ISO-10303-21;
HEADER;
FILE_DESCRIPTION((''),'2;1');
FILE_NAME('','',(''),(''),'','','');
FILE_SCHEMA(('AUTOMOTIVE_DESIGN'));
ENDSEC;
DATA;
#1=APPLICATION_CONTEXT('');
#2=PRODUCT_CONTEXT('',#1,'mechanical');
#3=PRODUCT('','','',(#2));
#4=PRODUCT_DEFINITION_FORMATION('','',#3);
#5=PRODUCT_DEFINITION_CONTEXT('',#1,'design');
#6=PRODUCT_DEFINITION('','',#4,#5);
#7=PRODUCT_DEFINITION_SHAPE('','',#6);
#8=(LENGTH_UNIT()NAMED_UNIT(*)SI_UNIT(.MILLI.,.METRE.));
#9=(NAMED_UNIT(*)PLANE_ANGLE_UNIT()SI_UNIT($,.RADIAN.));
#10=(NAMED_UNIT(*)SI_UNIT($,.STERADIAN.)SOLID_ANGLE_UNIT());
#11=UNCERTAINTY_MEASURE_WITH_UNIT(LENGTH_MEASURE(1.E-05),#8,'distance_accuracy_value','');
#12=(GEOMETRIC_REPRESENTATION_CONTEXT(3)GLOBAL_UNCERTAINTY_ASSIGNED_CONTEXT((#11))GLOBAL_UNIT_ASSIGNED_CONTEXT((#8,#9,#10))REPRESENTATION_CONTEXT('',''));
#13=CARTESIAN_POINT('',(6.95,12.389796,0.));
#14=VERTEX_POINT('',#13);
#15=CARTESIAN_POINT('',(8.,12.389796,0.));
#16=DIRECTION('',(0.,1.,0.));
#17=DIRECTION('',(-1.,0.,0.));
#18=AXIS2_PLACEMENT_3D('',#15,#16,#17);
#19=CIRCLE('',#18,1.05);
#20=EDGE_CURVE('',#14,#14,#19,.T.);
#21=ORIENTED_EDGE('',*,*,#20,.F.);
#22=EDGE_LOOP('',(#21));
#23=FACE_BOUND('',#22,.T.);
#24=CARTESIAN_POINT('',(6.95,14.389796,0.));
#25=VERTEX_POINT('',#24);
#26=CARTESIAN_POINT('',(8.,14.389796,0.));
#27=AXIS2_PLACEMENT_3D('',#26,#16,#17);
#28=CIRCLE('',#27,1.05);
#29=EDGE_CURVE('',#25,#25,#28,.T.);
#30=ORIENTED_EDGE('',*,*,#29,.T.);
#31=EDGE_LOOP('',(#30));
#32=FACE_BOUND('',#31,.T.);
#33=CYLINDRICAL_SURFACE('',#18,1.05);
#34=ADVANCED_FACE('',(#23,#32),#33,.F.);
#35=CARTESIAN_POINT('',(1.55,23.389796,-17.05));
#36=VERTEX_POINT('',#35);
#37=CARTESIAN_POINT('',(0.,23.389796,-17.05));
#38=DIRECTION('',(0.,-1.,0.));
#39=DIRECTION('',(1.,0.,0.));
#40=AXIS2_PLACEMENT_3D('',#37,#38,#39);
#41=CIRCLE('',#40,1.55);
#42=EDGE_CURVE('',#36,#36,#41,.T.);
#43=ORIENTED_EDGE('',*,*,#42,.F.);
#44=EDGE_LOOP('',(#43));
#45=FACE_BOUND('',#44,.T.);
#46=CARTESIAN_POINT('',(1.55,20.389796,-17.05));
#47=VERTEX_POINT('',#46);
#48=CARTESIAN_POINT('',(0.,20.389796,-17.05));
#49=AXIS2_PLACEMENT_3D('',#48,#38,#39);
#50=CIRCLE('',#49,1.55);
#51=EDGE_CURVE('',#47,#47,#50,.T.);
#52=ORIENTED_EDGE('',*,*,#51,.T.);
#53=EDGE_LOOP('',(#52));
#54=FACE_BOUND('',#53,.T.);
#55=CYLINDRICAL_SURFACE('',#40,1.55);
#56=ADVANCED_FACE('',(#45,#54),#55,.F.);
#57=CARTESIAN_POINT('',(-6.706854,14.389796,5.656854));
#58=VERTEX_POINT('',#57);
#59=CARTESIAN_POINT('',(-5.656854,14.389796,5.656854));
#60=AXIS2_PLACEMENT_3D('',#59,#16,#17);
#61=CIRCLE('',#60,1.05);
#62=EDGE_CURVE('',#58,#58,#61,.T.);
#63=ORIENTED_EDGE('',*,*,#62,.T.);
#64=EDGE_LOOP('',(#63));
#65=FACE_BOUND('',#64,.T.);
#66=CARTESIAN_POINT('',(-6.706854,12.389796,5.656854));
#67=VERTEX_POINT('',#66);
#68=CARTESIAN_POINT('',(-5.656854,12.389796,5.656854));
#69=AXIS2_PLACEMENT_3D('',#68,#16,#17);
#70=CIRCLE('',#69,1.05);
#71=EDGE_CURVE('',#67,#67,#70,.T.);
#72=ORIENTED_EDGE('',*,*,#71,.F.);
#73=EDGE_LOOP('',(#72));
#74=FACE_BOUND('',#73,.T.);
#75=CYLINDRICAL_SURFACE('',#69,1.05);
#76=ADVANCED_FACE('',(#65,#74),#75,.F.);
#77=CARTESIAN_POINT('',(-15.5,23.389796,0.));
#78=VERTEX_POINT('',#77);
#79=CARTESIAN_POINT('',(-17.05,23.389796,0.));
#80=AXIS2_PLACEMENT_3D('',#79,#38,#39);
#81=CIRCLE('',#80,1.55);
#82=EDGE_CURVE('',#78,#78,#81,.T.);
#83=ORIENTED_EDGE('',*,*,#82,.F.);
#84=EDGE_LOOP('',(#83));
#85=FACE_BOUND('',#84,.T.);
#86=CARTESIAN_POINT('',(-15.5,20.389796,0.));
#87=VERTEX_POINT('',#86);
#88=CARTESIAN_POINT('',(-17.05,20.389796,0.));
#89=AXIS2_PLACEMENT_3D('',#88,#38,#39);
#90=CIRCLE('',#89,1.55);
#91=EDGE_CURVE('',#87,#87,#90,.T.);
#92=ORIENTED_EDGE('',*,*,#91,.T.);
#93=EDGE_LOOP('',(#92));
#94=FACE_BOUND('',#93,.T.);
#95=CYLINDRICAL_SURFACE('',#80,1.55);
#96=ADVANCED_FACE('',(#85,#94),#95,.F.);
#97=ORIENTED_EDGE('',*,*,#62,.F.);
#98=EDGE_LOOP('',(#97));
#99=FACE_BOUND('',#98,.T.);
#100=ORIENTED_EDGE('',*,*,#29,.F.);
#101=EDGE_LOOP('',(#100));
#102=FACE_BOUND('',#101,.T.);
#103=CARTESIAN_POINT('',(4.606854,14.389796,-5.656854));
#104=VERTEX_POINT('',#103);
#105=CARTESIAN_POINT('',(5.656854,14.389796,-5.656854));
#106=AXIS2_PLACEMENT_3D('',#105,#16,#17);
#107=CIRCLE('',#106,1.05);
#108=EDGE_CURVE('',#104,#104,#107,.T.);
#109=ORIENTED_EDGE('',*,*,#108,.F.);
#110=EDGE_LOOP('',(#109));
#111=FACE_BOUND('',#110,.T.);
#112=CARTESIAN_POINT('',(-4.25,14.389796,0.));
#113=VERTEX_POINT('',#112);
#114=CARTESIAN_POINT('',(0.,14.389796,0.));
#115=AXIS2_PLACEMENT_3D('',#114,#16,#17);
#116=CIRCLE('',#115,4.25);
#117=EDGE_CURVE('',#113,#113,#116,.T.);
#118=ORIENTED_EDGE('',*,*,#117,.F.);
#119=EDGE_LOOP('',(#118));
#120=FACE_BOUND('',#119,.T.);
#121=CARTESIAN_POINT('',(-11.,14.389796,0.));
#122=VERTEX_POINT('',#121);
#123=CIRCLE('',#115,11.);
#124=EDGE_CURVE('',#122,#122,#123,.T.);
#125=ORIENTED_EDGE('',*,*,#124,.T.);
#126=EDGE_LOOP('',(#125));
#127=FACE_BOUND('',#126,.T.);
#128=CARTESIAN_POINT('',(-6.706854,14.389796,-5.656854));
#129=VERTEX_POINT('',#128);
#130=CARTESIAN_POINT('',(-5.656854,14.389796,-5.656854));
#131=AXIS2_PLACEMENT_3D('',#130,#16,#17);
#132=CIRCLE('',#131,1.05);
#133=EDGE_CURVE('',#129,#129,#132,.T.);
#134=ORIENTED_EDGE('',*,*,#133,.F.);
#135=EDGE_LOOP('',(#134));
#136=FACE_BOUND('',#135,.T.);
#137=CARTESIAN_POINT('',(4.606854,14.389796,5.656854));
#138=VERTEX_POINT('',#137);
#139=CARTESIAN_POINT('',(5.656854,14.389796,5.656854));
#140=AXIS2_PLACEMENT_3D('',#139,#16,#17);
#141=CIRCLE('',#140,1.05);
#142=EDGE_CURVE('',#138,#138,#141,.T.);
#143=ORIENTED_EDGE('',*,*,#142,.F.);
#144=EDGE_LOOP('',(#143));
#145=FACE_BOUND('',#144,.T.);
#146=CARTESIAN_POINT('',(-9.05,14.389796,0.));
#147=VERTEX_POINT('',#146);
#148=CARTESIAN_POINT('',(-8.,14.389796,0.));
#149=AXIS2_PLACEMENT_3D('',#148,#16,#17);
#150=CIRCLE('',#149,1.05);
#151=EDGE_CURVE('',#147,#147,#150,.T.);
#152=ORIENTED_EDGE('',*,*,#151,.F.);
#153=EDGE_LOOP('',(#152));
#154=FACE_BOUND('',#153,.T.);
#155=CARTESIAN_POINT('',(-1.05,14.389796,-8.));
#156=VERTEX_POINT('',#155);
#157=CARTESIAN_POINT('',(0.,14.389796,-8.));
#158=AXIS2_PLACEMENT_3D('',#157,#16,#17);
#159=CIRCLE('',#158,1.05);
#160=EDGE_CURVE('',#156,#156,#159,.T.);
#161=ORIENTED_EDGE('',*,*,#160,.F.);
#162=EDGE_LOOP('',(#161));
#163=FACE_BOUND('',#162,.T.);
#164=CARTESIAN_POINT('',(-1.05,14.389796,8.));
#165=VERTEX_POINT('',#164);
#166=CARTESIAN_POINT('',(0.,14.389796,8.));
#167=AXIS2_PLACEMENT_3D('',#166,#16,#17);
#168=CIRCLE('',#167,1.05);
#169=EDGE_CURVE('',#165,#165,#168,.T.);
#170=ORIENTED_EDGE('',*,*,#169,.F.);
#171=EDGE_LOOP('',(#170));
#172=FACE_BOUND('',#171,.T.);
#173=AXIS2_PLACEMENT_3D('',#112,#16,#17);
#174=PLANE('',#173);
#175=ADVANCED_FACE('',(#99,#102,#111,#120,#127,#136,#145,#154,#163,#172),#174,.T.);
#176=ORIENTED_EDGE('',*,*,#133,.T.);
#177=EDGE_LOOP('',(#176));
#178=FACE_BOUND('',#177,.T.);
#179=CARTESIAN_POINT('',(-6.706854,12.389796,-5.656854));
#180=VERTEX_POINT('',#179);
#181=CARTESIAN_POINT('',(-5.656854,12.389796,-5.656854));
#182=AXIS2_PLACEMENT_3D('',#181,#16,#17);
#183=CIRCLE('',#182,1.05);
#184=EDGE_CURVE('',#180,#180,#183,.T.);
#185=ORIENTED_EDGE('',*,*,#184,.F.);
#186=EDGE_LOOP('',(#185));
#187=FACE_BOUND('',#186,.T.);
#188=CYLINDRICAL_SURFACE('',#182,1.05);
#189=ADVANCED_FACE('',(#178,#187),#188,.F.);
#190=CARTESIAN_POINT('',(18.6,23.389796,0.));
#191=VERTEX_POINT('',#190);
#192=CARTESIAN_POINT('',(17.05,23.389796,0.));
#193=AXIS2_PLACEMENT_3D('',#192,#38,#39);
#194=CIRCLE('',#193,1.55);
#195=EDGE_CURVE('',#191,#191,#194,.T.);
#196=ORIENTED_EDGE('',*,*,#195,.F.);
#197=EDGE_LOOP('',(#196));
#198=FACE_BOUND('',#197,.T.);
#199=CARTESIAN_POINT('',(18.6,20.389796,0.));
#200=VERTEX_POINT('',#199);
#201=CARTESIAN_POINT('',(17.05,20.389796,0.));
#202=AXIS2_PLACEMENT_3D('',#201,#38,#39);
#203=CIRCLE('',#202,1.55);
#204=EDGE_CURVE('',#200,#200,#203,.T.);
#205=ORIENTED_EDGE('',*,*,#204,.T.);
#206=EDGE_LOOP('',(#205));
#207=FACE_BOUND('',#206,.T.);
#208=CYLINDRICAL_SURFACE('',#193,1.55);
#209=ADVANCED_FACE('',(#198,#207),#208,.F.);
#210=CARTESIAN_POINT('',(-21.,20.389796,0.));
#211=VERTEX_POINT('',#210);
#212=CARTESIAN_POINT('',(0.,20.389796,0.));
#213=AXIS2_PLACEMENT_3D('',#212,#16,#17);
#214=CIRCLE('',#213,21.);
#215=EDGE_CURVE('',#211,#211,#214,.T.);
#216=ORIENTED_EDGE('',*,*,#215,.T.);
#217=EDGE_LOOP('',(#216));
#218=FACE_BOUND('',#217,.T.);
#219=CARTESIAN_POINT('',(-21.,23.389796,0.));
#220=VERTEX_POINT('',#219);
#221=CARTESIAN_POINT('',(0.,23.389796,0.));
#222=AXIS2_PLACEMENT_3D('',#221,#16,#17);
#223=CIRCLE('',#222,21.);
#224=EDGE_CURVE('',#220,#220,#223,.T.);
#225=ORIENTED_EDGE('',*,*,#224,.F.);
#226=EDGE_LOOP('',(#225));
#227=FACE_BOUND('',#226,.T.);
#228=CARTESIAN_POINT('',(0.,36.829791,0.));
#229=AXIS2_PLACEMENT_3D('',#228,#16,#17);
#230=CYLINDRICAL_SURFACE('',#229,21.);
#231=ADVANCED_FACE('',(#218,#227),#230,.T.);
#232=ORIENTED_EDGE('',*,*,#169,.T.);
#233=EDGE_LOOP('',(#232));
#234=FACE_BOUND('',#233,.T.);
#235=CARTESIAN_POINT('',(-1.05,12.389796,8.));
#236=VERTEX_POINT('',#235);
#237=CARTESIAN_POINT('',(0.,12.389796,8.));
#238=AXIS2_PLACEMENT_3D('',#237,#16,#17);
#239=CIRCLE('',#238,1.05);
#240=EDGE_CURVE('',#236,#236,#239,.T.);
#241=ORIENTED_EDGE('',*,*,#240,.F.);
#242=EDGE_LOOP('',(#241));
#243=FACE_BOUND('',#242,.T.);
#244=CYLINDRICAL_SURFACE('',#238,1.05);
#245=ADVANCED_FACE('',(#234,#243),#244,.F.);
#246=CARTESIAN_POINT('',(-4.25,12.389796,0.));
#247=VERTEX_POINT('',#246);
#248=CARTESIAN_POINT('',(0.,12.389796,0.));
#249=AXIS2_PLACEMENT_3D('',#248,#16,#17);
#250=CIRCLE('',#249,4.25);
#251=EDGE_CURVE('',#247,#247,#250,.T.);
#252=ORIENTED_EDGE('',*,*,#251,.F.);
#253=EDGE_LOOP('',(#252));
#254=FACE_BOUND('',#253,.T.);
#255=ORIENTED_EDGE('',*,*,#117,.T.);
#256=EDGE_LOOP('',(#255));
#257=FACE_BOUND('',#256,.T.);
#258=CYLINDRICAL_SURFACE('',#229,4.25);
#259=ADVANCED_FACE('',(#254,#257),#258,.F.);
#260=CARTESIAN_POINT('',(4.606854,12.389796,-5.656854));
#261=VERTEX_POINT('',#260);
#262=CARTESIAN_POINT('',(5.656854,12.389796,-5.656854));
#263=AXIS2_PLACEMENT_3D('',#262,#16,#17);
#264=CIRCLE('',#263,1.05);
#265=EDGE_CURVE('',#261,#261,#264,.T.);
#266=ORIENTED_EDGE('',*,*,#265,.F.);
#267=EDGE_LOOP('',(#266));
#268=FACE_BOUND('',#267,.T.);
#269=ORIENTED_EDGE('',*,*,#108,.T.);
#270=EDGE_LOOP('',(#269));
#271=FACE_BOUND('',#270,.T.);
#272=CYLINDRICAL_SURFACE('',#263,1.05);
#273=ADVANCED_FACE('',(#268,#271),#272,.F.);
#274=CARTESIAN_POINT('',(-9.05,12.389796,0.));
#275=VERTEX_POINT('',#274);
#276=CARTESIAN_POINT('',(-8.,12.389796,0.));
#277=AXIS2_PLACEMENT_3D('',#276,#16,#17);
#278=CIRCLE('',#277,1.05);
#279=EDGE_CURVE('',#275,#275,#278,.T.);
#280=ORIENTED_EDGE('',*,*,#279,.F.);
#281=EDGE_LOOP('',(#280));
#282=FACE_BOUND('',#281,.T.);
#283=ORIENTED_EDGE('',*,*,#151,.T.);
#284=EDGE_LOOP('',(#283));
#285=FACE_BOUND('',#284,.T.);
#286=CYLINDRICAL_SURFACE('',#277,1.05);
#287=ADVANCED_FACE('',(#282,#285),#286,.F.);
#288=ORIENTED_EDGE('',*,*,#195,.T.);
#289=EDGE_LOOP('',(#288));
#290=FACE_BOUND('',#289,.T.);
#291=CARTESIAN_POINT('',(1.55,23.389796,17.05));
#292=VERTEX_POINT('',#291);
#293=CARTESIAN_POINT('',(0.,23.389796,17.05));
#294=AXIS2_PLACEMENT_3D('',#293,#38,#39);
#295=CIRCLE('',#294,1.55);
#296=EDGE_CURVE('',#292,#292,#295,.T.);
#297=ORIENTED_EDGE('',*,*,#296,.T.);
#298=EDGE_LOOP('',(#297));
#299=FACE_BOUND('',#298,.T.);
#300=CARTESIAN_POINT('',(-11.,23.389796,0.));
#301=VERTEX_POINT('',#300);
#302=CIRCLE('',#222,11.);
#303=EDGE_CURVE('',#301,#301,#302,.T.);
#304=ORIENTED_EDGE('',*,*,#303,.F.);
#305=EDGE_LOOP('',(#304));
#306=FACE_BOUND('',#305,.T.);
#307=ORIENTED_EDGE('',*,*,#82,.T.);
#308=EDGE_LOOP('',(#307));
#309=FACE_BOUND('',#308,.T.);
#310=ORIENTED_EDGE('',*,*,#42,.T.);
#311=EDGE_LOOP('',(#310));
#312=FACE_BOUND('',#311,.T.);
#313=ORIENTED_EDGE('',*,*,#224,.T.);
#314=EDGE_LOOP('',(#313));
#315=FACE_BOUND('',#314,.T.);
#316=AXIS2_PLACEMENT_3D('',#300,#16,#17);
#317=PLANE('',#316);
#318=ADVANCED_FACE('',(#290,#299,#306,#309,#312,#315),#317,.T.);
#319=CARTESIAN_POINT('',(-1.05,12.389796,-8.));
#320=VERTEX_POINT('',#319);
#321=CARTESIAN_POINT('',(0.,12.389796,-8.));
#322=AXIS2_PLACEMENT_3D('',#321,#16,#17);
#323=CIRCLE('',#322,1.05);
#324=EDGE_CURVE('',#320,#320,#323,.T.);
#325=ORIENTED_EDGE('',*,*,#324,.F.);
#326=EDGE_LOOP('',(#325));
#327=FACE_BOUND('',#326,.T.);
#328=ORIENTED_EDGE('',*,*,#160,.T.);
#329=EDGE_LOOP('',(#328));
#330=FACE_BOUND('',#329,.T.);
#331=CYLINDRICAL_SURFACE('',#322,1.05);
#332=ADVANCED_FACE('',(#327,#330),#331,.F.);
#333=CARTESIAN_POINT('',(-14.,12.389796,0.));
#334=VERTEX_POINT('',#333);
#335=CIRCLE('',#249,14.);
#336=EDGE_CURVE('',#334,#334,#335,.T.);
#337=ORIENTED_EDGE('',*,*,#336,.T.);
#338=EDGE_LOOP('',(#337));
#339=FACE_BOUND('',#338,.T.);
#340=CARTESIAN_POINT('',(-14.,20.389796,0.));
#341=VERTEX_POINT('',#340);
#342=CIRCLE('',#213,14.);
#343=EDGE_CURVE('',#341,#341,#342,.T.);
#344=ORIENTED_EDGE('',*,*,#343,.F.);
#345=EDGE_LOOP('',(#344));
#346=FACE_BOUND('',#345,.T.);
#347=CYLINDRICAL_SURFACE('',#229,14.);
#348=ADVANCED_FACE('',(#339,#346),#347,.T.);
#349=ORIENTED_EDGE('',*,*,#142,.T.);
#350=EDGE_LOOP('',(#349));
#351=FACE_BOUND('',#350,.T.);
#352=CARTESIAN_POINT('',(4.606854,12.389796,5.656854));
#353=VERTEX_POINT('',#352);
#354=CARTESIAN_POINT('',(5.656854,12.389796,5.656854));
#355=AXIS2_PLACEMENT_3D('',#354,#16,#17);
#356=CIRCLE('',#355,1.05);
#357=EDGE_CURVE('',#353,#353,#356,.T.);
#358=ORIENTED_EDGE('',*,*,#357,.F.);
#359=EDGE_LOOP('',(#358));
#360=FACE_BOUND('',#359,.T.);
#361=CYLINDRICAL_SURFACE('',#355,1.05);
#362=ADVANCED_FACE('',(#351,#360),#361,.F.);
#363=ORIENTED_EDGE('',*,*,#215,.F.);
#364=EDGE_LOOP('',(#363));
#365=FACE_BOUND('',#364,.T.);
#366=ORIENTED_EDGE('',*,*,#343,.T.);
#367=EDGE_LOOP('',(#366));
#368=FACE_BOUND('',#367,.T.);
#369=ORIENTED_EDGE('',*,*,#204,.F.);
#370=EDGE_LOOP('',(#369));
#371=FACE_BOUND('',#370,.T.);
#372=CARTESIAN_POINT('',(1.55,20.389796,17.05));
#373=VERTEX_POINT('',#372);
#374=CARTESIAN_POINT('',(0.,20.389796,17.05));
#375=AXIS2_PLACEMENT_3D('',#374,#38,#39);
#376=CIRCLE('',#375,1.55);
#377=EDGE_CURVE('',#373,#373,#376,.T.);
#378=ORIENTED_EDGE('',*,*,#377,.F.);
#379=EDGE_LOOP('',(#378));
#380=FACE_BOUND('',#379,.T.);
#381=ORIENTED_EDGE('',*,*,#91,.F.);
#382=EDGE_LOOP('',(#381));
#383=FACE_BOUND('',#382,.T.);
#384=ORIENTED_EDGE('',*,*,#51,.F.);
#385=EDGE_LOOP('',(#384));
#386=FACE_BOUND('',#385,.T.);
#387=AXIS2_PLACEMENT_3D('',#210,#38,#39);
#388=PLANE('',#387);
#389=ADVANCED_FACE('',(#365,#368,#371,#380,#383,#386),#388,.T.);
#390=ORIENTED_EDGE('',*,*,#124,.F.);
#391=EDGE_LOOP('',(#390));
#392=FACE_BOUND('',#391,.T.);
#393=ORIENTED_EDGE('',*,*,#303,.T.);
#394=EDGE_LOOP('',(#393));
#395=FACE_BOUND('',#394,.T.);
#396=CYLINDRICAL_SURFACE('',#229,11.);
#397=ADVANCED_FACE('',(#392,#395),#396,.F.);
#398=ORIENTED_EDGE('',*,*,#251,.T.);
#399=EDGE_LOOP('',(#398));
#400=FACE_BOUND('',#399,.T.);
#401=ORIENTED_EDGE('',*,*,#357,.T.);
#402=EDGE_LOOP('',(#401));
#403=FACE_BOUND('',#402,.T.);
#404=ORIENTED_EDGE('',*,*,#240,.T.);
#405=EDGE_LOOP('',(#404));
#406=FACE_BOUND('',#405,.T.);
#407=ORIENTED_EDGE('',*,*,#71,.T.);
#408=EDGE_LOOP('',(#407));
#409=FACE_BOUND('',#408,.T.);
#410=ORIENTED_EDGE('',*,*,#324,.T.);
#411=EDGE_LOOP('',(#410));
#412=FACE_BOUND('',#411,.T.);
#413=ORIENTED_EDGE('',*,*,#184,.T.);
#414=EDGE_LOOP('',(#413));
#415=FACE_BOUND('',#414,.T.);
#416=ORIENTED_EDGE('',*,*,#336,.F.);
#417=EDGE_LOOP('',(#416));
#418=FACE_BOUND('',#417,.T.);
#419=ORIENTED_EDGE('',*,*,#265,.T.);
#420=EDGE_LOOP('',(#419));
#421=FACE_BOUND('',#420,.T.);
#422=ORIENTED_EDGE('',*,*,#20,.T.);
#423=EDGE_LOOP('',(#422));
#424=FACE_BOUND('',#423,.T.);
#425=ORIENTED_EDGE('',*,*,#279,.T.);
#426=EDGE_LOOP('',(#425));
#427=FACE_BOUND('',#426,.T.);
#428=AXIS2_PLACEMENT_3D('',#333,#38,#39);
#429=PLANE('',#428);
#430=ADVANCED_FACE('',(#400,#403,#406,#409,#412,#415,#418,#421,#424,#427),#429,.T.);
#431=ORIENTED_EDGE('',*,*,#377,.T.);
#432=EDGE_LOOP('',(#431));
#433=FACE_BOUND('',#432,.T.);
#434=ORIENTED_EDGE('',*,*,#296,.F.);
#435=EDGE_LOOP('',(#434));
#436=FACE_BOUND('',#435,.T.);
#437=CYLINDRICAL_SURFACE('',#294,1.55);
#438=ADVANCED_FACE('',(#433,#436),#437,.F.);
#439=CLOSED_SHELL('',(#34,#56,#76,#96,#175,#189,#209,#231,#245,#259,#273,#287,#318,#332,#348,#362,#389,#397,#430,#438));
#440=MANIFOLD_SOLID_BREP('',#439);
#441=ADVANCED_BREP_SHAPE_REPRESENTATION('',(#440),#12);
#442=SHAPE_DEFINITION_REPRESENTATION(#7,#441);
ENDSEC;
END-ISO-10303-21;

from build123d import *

# Parameters (mm, degrees)
ESQUISSE4_R             = 1.05
ENL_V_MAT_EXTRU_1_DEPTH = 32.032241298
ESQUISSE5_R             = 1.55
ENL_V_MAT_EXTRU_2_DEPTH = 31.757112998


with BuildPart() as part:
    # Esquisse3 → Révolution2 (revolve)
    with BuildSketch(Plane.XY):
        Polygon((-21, 23.3897956), (-21, 20.3897956), (-14, 20.3897956), (-14, 12.3897956), (-4.25, 12.3897956), (-4.25, 14.3897956), (-11, 14.3897956), (-11, 23.3897956), align=None)
    revolve(axis=Axis((0, 36.82979074, 0), (0, -1, 0)))

    # Esquisse4 → Enlèv. mat.-Extru.1 (cut, through all)
    with BuildSketch(Plane(origin=(0, 14.3897956, 0), x_dir=(1, 0, 0), z_dir=(0, 1, 0))):
        with Locations(Location((0, 8, 0), (0, 0, 180))):
            Circle(ESQUISSE4_R)
        with Locations(Location((5.656854249, 5.656854249, 0), (0, 0, 180))):
            Circle(ESQUISSE4_R)
        with Locations(Location((8, 0, 0), (0, 0, 180))):
            Circle(ESQUISSE4_R)
        with Locations(Location((5.656854249, -5.656854249, 0), (0, 0, 180))):
            Circle(ESQUISSE4_R)
        with Locations(Location((0, -8, 0), (0, 0, 180))):
            Circle(ESQUISSE4_R)
        with Locations(Location((-5.656854249, -5.656854249, 0), (0, 0, 180))):
            Circle(ESQUISSE4_R)
        with Locations(Location((-8, 0, 0), (0, 0, 180))):
            Circle(ESQUISSE4_R)
        with Locations(Location((-5.656854249, 5.656854249, 0), (0, 0, 180))):
            Circle(ESQUISSE4_R)
    extrude(amount=-ENL_V_MAT_EXTRU_1_DEPTH, mode=Mode.SUBTRACT)

    # Esquisse5 → Enlèv. mat.-Extru.2 (cut, through all)
    with BuildSketch(Plane.XZ.offset(-20.3897956)):
        with Locations((0, 17.05)):
            Circle(ESQUISSE5_R)
        with Locations((17.05, 0)):
            Circle(ESQUISSE5_R)
        with Locations((0, -17.05)):
            Circle(ESQUISSE5_R)
        with Locations((-17.05, 0)):
            Circle(ESQUISSE5_R)
    extrude(amount=-ENL_V_MAT_EXTRU_2_DEPTH, mode=Mode.SUBTRACT)


solid = part.part
